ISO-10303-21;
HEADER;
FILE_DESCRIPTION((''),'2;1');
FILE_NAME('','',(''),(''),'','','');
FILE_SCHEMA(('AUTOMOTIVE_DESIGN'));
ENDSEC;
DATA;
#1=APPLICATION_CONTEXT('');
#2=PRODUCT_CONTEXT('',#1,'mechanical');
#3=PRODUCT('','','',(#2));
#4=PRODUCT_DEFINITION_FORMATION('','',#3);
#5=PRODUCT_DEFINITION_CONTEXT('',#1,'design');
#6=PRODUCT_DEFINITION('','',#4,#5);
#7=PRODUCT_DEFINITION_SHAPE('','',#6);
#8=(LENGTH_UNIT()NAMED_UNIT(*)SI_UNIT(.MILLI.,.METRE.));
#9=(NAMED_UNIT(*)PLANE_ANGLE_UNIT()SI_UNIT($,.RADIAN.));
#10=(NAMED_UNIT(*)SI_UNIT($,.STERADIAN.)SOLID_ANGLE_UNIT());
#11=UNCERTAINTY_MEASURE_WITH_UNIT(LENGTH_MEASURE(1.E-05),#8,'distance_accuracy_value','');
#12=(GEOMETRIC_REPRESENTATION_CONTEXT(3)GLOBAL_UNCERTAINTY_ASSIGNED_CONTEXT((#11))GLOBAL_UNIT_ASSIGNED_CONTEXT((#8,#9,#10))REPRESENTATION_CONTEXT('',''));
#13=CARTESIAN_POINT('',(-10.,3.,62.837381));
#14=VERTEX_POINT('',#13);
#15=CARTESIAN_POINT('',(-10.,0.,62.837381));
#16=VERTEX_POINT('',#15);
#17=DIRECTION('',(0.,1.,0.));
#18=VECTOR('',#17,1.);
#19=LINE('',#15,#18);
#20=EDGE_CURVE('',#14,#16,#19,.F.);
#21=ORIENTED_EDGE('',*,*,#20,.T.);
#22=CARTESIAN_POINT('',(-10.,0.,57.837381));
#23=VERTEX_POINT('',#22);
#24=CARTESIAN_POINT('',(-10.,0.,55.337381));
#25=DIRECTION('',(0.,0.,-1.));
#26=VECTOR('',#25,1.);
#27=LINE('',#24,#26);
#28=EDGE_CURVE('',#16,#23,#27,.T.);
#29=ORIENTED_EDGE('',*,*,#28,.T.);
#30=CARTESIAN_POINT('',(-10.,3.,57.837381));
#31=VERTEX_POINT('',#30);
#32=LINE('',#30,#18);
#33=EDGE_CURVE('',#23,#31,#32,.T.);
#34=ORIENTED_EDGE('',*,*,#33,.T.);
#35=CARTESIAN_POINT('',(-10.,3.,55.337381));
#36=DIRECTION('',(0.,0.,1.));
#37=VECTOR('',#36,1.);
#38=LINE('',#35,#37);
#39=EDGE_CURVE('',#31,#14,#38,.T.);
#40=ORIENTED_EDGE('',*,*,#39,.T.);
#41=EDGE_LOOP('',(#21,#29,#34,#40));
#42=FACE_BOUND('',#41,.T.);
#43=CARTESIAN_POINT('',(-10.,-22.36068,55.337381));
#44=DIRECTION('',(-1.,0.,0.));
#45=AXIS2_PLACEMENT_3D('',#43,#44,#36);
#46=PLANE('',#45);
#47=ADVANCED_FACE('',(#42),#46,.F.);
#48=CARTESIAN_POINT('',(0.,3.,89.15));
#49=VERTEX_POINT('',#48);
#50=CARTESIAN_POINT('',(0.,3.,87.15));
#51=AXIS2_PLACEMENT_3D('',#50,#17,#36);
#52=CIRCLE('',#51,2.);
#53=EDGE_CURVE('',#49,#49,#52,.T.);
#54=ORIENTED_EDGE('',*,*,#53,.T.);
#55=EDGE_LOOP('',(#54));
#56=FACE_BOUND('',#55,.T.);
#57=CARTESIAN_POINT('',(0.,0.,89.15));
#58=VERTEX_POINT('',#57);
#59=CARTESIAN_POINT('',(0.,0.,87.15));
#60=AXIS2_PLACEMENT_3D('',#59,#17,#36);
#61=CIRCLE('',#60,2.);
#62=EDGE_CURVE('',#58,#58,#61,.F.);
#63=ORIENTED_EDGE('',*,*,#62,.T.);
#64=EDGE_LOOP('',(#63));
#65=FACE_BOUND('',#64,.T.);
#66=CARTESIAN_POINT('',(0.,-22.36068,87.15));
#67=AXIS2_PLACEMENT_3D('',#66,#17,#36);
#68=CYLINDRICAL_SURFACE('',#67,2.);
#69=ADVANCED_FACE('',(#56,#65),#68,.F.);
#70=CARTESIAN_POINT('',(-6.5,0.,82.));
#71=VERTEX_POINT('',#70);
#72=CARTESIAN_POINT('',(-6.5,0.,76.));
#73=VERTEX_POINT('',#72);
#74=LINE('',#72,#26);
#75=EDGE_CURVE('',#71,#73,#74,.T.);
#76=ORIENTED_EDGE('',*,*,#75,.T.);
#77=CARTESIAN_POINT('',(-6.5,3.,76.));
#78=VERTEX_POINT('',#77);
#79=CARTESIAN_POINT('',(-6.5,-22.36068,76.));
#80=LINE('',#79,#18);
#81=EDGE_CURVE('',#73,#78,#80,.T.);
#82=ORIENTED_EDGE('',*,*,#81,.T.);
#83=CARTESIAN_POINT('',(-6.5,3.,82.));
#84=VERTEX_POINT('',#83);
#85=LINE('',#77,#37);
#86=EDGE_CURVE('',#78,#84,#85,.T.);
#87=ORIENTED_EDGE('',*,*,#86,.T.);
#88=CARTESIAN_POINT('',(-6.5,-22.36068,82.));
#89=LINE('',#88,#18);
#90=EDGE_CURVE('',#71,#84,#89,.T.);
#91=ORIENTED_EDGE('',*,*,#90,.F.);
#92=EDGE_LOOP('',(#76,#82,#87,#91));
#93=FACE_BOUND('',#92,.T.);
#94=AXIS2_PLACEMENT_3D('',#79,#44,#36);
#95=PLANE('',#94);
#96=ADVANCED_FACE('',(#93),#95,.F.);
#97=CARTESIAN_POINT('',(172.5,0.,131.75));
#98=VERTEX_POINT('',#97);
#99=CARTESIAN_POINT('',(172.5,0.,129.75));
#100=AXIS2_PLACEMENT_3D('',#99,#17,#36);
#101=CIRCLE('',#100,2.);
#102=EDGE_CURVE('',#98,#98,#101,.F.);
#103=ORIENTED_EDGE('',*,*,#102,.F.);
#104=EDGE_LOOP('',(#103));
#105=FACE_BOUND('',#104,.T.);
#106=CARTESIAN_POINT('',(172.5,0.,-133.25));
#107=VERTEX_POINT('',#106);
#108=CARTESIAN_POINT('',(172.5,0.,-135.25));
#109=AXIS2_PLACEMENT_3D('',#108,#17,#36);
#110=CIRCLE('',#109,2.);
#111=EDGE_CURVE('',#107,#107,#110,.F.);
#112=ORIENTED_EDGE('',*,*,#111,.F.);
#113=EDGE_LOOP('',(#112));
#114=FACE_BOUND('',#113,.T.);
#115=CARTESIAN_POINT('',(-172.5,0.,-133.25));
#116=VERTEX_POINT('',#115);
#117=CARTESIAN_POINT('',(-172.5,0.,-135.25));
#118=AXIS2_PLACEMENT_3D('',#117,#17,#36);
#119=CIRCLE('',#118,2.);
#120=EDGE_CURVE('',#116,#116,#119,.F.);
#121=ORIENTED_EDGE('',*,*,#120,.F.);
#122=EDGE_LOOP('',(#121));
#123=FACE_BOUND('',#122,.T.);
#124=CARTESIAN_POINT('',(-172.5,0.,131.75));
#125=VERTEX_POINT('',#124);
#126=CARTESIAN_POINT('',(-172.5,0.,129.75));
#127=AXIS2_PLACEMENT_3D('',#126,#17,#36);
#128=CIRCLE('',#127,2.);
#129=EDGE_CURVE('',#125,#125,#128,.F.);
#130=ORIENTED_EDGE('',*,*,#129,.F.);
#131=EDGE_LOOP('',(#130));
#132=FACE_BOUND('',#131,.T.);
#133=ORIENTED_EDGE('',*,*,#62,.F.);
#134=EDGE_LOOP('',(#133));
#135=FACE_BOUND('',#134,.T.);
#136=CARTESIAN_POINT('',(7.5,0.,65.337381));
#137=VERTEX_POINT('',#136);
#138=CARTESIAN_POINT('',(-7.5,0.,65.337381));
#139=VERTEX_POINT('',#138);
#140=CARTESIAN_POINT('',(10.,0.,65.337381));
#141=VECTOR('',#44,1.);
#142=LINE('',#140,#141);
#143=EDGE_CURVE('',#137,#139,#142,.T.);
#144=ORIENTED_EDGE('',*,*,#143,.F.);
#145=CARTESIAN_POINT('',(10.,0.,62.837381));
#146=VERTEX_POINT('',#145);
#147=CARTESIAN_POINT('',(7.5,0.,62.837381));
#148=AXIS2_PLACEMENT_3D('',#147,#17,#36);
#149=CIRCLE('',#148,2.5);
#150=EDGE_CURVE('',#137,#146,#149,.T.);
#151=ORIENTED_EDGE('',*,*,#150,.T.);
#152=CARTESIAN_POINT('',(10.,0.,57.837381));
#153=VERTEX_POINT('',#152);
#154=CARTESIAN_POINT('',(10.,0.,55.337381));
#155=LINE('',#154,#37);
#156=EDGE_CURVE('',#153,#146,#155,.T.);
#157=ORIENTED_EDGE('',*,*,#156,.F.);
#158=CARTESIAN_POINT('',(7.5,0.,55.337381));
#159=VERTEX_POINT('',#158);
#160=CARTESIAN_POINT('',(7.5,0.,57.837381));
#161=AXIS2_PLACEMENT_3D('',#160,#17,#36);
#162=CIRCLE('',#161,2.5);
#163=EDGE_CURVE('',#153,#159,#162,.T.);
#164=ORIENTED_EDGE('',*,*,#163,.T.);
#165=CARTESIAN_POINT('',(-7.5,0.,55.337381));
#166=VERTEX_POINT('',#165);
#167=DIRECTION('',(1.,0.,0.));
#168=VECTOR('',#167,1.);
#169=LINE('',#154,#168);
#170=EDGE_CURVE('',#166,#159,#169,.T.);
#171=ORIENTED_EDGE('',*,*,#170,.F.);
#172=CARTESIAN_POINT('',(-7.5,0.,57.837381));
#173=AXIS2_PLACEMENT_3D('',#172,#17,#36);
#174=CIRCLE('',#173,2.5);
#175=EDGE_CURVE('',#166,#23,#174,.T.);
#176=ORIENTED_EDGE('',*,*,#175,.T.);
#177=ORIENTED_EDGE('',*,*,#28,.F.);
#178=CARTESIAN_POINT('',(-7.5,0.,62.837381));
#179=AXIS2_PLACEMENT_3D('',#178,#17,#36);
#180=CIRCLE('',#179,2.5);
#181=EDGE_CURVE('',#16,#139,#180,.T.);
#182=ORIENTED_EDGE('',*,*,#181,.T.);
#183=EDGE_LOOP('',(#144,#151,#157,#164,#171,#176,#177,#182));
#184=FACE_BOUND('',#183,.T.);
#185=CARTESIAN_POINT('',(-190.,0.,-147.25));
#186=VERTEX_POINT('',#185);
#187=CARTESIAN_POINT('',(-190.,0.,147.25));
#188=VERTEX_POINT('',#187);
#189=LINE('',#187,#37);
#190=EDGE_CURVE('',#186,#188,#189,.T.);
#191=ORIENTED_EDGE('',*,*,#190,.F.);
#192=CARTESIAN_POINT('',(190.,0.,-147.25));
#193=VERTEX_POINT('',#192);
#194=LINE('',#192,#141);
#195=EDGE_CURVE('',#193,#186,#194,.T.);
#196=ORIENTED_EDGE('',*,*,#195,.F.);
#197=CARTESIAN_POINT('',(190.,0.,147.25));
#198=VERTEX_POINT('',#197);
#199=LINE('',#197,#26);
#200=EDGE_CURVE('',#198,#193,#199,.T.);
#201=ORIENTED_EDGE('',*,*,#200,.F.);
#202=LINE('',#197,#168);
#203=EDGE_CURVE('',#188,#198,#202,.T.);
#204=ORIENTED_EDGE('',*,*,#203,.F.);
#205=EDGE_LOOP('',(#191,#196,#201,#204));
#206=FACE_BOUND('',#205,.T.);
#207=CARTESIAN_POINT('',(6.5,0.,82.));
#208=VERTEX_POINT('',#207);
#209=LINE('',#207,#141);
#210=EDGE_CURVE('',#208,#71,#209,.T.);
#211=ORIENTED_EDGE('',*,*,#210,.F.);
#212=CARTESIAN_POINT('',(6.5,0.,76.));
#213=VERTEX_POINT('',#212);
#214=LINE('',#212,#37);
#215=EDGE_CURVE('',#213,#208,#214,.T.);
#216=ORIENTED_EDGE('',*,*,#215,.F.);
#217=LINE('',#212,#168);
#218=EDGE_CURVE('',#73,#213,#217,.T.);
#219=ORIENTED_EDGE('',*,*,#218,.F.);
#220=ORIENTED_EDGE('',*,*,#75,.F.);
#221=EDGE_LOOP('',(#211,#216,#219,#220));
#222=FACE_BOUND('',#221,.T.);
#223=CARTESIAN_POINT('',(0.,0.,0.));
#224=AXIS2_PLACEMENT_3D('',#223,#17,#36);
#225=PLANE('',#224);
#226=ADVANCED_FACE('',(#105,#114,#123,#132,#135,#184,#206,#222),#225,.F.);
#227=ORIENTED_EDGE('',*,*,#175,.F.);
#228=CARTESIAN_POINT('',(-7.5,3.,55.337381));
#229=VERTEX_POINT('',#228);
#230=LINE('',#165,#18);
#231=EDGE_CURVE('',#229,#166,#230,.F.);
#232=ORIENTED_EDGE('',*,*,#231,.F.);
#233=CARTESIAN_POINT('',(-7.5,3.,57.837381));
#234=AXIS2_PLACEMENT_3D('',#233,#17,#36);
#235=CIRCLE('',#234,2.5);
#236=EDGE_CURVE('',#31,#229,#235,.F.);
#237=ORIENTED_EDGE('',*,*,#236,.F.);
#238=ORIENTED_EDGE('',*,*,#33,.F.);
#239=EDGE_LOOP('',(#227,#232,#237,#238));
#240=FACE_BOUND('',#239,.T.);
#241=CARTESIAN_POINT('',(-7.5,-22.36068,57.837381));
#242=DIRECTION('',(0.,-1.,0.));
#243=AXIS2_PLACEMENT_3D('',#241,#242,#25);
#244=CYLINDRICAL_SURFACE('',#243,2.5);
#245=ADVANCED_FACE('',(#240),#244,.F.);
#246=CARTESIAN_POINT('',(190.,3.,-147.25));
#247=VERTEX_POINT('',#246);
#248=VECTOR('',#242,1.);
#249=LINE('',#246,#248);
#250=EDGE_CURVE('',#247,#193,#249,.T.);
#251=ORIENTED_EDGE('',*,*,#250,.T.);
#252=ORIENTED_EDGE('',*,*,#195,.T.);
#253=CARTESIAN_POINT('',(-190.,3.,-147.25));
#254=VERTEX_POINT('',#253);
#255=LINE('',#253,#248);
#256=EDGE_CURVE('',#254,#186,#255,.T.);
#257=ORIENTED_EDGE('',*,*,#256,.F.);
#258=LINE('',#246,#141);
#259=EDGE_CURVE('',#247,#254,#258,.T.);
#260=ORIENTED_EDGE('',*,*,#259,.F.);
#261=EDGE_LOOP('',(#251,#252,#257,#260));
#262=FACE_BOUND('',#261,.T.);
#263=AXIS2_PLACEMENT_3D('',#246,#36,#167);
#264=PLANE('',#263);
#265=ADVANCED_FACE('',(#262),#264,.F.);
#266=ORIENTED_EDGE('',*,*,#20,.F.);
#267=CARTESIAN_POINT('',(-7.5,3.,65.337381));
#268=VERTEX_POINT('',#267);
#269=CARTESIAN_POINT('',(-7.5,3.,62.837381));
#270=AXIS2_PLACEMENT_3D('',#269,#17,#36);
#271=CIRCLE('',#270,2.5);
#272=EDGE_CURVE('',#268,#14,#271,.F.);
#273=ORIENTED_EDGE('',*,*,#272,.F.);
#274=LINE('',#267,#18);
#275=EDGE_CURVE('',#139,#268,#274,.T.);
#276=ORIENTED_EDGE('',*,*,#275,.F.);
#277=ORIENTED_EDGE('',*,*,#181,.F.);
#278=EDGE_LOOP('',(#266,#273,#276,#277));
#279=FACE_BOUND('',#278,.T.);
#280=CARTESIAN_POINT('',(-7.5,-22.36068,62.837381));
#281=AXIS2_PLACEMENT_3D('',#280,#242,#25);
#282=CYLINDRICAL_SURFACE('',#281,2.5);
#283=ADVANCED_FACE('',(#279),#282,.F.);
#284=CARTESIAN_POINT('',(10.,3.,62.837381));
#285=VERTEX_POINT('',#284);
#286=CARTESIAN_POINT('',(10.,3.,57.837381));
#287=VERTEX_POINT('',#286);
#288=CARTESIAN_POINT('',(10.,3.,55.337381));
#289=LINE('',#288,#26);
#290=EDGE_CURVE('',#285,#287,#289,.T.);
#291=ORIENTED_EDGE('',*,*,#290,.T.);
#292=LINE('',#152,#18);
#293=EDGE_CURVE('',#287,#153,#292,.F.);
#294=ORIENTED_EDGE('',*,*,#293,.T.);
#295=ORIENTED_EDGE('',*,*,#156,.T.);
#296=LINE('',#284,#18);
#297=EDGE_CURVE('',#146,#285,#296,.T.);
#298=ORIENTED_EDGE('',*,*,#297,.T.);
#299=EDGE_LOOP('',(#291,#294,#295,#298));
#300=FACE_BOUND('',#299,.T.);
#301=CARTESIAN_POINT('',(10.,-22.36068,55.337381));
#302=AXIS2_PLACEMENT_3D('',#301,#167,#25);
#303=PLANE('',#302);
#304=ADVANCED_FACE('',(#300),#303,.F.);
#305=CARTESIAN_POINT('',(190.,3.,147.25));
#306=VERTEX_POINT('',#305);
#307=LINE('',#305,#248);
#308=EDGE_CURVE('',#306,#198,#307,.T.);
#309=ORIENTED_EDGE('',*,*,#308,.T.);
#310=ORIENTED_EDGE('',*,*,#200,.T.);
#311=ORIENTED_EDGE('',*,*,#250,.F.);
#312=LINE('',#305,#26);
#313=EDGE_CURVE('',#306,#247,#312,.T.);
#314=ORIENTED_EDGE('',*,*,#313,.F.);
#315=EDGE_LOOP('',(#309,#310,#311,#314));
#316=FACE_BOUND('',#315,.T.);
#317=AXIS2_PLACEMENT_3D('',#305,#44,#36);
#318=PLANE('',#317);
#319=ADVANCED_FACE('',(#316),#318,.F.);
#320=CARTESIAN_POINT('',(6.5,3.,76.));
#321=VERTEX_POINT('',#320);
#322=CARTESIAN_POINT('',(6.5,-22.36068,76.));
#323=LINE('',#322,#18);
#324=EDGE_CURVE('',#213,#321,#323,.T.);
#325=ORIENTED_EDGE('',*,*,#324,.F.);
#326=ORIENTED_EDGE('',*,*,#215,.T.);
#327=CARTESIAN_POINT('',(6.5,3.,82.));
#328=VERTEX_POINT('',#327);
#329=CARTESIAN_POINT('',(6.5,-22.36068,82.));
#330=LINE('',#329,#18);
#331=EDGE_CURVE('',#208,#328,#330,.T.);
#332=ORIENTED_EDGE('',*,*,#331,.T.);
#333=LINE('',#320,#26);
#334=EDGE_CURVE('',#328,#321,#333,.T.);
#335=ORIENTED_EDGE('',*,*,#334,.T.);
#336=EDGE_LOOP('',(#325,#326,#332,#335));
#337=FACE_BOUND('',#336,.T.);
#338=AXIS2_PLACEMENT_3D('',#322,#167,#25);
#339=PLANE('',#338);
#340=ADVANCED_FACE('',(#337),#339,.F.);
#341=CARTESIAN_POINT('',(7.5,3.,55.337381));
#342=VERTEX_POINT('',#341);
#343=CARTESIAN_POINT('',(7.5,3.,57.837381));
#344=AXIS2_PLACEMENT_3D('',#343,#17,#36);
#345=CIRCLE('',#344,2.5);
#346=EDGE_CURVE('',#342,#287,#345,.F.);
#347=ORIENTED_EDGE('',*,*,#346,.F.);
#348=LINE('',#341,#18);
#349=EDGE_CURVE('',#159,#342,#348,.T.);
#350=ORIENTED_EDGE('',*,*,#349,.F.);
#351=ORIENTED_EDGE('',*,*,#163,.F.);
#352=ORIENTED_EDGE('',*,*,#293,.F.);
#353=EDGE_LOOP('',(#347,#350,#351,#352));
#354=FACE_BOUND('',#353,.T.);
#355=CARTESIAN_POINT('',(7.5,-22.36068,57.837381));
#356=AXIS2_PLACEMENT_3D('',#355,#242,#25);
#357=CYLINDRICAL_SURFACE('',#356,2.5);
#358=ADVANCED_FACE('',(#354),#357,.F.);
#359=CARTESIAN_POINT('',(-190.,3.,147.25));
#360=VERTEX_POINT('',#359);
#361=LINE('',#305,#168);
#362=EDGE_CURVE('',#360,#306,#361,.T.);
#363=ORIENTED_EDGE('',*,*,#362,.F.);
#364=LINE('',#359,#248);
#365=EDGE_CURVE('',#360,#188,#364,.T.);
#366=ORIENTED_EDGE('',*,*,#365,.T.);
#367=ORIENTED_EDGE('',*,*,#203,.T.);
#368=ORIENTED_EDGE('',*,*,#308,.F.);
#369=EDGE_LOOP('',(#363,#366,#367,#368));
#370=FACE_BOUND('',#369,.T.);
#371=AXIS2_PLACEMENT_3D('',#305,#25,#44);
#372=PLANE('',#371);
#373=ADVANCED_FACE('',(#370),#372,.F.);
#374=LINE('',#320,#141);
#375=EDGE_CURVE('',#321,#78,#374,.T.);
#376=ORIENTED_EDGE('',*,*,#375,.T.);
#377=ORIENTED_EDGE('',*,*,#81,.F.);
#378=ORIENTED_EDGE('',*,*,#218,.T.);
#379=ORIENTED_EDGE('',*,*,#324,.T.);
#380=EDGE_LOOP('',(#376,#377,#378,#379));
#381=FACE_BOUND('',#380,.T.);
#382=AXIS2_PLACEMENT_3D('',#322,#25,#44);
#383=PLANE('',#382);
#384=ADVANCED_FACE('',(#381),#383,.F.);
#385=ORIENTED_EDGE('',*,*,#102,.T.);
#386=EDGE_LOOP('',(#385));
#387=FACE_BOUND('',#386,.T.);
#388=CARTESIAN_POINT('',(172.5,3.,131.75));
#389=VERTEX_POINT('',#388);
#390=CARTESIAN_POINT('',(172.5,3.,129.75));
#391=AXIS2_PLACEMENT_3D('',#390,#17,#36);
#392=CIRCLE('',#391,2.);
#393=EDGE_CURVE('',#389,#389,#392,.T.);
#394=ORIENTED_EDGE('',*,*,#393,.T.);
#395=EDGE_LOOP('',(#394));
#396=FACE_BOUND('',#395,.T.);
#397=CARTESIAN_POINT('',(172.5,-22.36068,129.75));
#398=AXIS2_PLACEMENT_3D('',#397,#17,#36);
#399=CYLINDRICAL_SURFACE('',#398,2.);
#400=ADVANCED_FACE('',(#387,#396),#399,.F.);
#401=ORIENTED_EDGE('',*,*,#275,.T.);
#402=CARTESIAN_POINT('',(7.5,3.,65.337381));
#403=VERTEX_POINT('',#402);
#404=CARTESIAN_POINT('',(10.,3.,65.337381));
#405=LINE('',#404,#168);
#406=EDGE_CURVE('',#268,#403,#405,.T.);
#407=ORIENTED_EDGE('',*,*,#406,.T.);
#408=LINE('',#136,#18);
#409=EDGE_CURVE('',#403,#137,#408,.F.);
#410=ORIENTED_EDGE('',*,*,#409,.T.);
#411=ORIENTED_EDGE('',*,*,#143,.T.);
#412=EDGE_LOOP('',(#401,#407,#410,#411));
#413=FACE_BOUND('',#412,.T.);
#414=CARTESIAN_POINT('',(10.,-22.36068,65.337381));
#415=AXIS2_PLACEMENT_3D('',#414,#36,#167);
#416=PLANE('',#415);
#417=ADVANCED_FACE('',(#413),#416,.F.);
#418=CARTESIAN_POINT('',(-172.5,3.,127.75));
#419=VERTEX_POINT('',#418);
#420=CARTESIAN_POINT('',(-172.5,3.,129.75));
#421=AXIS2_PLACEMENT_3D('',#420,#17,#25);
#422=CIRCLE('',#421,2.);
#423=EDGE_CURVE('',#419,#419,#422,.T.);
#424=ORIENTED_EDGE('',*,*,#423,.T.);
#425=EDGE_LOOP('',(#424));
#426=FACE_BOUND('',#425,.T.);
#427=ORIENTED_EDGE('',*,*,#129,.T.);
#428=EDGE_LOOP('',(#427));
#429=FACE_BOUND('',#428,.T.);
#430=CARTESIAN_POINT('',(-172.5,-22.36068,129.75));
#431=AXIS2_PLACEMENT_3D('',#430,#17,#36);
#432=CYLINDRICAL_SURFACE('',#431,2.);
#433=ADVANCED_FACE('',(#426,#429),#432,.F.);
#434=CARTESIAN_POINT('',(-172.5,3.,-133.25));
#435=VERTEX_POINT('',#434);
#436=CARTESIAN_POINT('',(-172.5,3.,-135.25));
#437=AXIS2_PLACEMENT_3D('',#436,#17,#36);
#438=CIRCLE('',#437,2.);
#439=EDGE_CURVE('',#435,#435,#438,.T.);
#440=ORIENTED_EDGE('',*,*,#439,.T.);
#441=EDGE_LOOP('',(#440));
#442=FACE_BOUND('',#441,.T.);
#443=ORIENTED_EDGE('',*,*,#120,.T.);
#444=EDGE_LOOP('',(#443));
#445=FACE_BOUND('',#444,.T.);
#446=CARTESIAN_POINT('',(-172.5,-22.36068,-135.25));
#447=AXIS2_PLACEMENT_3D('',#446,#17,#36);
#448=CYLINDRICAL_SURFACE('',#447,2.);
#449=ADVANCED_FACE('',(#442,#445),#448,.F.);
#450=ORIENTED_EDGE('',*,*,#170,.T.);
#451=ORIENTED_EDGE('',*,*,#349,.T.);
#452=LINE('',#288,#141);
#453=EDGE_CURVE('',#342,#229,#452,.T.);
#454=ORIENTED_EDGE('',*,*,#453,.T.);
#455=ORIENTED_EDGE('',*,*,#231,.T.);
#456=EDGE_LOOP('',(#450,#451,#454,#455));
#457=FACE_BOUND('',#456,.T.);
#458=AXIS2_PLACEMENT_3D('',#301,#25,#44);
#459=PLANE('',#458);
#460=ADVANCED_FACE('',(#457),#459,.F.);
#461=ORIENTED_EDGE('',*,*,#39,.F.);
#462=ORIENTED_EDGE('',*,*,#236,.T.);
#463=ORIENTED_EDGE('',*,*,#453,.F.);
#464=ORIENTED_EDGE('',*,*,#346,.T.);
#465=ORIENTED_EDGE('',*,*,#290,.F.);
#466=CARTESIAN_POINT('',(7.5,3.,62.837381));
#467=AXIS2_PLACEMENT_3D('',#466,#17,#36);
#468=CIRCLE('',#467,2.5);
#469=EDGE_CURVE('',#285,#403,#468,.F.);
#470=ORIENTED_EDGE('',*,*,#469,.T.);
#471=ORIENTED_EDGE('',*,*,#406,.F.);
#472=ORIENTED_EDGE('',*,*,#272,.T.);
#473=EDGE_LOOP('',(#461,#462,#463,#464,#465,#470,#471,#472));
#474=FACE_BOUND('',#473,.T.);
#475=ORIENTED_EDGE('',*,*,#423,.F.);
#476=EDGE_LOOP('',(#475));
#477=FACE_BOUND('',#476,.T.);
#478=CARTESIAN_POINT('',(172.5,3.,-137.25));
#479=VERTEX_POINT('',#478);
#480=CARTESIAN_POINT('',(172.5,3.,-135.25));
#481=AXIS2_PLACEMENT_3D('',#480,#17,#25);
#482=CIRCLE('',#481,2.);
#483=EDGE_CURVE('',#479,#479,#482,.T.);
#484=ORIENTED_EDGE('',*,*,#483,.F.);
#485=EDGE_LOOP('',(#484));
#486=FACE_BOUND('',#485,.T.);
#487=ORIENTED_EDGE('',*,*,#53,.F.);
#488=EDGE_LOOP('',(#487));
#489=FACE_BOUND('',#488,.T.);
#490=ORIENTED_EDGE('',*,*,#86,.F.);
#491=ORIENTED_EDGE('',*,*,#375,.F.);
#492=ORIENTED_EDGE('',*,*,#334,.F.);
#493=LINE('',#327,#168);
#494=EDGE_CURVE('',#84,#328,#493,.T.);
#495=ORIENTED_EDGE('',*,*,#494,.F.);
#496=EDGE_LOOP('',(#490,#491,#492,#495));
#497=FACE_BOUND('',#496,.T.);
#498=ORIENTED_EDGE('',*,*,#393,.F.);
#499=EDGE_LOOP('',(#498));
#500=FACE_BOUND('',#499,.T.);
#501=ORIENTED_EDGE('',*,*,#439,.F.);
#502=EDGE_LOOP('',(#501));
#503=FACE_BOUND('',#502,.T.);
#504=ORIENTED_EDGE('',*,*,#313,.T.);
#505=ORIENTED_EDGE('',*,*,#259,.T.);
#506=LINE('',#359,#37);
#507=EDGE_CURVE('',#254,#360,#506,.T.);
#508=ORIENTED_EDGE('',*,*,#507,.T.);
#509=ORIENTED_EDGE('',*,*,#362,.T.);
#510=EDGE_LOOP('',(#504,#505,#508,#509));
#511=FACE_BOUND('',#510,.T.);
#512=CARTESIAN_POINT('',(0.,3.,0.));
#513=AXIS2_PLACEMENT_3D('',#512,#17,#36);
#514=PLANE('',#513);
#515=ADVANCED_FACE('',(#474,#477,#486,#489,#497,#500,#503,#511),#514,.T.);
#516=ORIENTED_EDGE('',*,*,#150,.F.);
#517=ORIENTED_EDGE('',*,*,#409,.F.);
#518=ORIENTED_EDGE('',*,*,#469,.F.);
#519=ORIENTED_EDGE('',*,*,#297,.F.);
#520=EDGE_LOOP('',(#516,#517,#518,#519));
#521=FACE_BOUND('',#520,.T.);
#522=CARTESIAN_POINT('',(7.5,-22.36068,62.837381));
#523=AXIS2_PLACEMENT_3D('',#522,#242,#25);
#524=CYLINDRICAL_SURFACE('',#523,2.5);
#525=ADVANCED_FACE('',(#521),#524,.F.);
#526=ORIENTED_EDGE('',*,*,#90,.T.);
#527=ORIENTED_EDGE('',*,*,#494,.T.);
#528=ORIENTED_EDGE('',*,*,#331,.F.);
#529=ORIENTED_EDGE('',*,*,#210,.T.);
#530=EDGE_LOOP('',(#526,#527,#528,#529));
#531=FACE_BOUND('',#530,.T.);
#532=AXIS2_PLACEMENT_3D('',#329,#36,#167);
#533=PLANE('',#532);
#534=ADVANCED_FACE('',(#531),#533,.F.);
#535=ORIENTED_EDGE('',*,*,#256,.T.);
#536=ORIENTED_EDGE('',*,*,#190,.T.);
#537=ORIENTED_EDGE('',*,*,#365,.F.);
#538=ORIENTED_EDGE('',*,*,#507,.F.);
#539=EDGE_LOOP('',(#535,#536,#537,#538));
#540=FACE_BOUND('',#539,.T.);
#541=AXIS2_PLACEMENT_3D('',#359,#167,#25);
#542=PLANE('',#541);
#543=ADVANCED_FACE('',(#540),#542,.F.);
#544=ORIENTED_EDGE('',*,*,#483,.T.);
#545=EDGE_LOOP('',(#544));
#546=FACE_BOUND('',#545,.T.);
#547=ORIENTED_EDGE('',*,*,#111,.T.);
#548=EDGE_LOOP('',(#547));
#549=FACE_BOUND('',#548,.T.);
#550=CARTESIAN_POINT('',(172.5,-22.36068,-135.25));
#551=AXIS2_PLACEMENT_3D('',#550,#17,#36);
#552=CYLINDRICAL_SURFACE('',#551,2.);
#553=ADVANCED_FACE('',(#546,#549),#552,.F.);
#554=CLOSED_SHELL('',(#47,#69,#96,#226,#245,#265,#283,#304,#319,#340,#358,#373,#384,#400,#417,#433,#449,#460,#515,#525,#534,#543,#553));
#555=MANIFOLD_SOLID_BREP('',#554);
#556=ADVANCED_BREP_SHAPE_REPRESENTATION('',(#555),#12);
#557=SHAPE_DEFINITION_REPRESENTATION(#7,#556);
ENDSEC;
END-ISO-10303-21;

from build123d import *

# Parameters (mm, degrees)
SKETCH1_W           = 380
SKETCH1_H           = 294.5
BOSS_EXTRUDE1_DEPTH = 3
SKETCH3_R           = 2
SKETCH3_W           = 13
SKETCH3_H           = 6
SKETCH3_W_2         = 20
SKETCH3_H_2         = 10
CUT_EXTRUDE1_DEPTH  = 3
FILLET1_R           = 2.5


with BuildPart() as part:
    # Sketch1 → Boss-Extrude1 (new body)
    with BuildSketch(Plane(origin=(0, 0, 0), x_dir=(1, 0, 0), z_dir=(0, 1, 0))):
        Rectangle(SKETCH1_W, SKETCH1_H)
    extrude(amount=BOSS_EXTRUDE1_DEPTH)

    # Sketch3 → Cut-Extrude1 (cut)
    with BuildSketch(Plane(origin=(0, 3, 0), x_dir=(1, 0, 0), z_dir=(0, 1, 0))):
        with Locations(Location((-172.5, 135.25, 0), (0, 0, 270))):
            Circle(SKETCH3_R)
        with Locations(Location((-172.5, -129.75, 0), (0, 0, 270))):
            Circle(SKETCH3_R)
        with Locations(Location((172.5, -129.75, 0), (0, 0, 270))):
            Circle(SKETCH3_R)
        with Locations(Location((172.5, 135.25, 0), (0, 0, 270))):
            Circle(SKETCH3_R)
        with Locations(Location((0, -87.15, 0), (0, 0, 270))):
            Circle(SKETCH3_R)
        with Locations((0, -79)):
            Rectangle(SKETCH3_W, SKETCH3_H)
        with Locations((0, -60.337381091)):
            Rectangle(SKETCH3_W_2, SKETCH3_H_2)
    extrude(amount=-CUT_EXTRUDE1_DEPTH, mode=Mode.SUBTRACT)

    # Fillet1
    fillet1_edges = [part.edges().sort_by_distance(p)[0] for p in [
        (-10, 1.5, 65.337381091),
        (-10, 1.5, 55.337381091),
        (10, 1.5, 55.337381091),
        (10, 1.5, 65.337381091),
    ]]
    fillet(fillet1_edges, radius=FILLET1_R)


solid = part.part
